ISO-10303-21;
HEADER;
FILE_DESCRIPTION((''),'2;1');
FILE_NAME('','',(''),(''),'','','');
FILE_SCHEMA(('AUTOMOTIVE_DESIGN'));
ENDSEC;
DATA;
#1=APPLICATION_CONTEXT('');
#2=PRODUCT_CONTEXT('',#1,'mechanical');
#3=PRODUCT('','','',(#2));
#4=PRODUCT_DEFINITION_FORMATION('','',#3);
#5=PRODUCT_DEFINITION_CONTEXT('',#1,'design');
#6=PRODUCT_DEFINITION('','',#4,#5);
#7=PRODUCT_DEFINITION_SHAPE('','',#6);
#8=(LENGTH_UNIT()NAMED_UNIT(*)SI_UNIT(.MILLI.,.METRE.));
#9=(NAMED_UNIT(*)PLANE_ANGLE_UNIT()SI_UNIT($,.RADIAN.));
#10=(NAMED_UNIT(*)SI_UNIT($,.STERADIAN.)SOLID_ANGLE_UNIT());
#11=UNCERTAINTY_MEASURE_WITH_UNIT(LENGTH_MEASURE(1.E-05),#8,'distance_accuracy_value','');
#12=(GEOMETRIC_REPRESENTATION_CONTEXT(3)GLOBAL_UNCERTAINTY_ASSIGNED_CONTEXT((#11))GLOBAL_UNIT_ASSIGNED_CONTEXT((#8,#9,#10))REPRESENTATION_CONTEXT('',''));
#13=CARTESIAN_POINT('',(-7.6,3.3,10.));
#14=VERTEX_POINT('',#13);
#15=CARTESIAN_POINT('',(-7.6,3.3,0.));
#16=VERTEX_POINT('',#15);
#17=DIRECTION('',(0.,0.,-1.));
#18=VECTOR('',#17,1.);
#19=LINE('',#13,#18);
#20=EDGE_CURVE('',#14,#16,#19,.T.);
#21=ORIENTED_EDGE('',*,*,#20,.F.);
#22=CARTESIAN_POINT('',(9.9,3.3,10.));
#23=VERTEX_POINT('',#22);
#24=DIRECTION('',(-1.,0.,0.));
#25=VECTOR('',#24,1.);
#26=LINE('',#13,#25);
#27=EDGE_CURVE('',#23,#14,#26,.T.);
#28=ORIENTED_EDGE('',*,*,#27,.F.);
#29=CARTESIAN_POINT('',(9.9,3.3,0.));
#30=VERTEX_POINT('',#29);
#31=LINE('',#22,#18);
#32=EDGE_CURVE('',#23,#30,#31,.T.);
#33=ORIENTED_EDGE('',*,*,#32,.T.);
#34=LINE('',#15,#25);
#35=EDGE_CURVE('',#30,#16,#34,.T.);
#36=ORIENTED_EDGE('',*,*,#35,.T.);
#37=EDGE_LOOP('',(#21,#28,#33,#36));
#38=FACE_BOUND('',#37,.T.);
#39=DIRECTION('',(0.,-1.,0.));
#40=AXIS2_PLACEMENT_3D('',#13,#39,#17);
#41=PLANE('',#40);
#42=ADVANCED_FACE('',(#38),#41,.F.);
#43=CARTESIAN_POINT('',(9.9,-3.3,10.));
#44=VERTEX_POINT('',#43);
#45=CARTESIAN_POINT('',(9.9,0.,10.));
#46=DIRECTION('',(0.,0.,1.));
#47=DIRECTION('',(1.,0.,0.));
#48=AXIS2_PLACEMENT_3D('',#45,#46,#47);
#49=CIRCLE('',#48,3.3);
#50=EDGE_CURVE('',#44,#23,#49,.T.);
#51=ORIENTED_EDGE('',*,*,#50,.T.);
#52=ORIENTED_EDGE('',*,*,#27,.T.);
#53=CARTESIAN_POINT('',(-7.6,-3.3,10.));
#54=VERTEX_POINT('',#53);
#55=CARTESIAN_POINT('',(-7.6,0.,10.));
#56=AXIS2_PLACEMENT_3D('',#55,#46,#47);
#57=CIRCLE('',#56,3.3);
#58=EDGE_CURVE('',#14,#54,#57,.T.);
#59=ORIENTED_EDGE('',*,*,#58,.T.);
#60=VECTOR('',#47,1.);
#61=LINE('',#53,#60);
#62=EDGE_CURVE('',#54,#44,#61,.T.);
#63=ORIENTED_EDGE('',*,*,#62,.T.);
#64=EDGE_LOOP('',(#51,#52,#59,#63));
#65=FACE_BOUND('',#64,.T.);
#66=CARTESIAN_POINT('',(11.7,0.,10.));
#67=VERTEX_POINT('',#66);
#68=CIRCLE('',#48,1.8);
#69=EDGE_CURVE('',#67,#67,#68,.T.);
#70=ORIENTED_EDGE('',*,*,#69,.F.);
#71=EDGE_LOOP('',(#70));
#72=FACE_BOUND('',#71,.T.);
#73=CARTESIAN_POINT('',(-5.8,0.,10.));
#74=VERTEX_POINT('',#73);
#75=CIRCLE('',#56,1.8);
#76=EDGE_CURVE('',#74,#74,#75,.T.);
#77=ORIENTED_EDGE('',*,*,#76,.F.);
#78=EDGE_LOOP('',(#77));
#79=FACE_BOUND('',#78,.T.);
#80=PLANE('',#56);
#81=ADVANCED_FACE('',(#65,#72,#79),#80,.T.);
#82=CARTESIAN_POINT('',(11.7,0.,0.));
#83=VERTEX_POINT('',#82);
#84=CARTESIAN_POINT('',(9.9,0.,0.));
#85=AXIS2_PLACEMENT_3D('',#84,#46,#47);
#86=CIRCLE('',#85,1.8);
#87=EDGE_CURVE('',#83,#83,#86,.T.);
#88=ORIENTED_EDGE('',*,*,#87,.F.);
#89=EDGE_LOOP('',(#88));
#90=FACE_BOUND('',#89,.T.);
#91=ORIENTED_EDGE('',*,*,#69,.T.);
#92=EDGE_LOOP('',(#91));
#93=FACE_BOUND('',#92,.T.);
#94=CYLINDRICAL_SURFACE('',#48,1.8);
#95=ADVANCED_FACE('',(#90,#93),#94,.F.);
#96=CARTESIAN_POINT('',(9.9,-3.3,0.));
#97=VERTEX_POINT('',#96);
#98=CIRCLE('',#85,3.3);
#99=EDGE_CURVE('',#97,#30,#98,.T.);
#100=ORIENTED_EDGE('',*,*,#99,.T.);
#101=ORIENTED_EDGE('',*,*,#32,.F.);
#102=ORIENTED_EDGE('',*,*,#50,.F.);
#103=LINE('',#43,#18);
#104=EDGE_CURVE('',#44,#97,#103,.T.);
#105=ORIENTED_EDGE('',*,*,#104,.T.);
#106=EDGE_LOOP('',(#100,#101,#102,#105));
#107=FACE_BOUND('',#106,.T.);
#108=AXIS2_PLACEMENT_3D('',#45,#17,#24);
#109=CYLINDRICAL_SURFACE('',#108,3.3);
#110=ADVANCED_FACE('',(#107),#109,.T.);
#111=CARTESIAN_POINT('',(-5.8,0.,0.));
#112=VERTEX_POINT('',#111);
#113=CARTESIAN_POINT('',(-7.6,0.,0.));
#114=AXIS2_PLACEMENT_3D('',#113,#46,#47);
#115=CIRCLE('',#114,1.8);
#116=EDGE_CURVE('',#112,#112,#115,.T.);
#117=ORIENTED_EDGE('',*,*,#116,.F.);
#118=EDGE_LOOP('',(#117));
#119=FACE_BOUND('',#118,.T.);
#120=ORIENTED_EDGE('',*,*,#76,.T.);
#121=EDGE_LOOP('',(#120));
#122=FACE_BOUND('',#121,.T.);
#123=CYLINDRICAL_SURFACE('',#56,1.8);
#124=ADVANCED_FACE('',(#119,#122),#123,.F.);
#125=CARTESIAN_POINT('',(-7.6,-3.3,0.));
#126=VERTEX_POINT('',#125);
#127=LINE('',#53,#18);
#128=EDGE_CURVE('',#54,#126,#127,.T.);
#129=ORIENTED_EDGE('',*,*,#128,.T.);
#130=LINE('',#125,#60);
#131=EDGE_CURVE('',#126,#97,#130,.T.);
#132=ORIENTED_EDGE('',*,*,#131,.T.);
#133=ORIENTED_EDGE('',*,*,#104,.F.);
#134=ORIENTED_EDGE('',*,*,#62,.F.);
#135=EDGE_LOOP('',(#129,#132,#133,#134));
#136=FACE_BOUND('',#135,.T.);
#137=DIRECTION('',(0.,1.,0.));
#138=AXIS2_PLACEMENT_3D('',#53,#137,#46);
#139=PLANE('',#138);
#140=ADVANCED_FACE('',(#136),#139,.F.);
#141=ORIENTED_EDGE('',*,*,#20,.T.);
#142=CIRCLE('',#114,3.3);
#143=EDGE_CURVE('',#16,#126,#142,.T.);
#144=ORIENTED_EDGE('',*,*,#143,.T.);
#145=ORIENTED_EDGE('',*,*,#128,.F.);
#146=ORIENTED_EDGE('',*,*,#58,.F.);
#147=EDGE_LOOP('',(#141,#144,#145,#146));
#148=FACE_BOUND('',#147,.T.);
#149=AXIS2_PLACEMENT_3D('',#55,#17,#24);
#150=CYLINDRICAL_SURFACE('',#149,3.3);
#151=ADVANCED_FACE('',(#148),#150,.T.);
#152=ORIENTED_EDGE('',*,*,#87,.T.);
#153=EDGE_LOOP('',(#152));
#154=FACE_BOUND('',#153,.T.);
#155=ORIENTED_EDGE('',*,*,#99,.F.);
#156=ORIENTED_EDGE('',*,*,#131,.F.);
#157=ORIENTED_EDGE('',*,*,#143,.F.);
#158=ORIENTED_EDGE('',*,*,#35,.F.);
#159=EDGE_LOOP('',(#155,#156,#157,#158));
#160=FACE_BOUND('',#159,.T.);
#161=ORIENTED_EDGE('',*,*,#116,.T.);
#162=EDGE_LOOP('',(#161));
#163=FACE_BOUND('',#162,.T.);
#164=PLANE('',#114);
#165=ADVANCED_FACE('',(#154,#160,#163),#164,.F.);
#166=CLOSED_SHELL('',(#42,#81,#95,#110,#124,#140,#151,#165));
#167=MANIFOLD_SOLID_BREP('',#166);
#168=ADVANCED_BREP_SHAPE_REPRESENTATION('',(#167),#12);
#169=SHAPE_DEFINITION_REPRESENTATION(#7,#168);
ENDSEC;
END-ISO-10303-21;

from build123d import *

# Parameters (mm, degrees)
SALIENTE_EXTRUIR1_DEPTH      = 10
TALADRO_DE_MARGEN_PARA_M31_D = 3.6


with BuildPart() as part:
    # Croquis1 → Saliente-Extruir1 (new body)
    with BuildSketch(Plane.XY):
        with BuildLine():
            Line((-7.6, 3.3), (9.9, 3.3))
            ThreePointArc((9.9, 3.3), (13.2, 0), (9.9, -3.3))
            Line((9.9, -3.3), (-7.6, -3.3))
            ThreePointArc((-7.6, -3.3), (-10.9, 0), (-7.6, 3.3))
        make_face()
    extrude(amount=SALIENTE_EXTRUIR1_DEPTH)

    # Taladro de margen para M31 (through all)
    with Locations(Plane.XY.offset(10)):
        with Locations((-7.6, 0), (9.9, 0)):
            Hole(TALADRO_DE_MARGEN_PARA_M31_D / 2)


solid = part.part
